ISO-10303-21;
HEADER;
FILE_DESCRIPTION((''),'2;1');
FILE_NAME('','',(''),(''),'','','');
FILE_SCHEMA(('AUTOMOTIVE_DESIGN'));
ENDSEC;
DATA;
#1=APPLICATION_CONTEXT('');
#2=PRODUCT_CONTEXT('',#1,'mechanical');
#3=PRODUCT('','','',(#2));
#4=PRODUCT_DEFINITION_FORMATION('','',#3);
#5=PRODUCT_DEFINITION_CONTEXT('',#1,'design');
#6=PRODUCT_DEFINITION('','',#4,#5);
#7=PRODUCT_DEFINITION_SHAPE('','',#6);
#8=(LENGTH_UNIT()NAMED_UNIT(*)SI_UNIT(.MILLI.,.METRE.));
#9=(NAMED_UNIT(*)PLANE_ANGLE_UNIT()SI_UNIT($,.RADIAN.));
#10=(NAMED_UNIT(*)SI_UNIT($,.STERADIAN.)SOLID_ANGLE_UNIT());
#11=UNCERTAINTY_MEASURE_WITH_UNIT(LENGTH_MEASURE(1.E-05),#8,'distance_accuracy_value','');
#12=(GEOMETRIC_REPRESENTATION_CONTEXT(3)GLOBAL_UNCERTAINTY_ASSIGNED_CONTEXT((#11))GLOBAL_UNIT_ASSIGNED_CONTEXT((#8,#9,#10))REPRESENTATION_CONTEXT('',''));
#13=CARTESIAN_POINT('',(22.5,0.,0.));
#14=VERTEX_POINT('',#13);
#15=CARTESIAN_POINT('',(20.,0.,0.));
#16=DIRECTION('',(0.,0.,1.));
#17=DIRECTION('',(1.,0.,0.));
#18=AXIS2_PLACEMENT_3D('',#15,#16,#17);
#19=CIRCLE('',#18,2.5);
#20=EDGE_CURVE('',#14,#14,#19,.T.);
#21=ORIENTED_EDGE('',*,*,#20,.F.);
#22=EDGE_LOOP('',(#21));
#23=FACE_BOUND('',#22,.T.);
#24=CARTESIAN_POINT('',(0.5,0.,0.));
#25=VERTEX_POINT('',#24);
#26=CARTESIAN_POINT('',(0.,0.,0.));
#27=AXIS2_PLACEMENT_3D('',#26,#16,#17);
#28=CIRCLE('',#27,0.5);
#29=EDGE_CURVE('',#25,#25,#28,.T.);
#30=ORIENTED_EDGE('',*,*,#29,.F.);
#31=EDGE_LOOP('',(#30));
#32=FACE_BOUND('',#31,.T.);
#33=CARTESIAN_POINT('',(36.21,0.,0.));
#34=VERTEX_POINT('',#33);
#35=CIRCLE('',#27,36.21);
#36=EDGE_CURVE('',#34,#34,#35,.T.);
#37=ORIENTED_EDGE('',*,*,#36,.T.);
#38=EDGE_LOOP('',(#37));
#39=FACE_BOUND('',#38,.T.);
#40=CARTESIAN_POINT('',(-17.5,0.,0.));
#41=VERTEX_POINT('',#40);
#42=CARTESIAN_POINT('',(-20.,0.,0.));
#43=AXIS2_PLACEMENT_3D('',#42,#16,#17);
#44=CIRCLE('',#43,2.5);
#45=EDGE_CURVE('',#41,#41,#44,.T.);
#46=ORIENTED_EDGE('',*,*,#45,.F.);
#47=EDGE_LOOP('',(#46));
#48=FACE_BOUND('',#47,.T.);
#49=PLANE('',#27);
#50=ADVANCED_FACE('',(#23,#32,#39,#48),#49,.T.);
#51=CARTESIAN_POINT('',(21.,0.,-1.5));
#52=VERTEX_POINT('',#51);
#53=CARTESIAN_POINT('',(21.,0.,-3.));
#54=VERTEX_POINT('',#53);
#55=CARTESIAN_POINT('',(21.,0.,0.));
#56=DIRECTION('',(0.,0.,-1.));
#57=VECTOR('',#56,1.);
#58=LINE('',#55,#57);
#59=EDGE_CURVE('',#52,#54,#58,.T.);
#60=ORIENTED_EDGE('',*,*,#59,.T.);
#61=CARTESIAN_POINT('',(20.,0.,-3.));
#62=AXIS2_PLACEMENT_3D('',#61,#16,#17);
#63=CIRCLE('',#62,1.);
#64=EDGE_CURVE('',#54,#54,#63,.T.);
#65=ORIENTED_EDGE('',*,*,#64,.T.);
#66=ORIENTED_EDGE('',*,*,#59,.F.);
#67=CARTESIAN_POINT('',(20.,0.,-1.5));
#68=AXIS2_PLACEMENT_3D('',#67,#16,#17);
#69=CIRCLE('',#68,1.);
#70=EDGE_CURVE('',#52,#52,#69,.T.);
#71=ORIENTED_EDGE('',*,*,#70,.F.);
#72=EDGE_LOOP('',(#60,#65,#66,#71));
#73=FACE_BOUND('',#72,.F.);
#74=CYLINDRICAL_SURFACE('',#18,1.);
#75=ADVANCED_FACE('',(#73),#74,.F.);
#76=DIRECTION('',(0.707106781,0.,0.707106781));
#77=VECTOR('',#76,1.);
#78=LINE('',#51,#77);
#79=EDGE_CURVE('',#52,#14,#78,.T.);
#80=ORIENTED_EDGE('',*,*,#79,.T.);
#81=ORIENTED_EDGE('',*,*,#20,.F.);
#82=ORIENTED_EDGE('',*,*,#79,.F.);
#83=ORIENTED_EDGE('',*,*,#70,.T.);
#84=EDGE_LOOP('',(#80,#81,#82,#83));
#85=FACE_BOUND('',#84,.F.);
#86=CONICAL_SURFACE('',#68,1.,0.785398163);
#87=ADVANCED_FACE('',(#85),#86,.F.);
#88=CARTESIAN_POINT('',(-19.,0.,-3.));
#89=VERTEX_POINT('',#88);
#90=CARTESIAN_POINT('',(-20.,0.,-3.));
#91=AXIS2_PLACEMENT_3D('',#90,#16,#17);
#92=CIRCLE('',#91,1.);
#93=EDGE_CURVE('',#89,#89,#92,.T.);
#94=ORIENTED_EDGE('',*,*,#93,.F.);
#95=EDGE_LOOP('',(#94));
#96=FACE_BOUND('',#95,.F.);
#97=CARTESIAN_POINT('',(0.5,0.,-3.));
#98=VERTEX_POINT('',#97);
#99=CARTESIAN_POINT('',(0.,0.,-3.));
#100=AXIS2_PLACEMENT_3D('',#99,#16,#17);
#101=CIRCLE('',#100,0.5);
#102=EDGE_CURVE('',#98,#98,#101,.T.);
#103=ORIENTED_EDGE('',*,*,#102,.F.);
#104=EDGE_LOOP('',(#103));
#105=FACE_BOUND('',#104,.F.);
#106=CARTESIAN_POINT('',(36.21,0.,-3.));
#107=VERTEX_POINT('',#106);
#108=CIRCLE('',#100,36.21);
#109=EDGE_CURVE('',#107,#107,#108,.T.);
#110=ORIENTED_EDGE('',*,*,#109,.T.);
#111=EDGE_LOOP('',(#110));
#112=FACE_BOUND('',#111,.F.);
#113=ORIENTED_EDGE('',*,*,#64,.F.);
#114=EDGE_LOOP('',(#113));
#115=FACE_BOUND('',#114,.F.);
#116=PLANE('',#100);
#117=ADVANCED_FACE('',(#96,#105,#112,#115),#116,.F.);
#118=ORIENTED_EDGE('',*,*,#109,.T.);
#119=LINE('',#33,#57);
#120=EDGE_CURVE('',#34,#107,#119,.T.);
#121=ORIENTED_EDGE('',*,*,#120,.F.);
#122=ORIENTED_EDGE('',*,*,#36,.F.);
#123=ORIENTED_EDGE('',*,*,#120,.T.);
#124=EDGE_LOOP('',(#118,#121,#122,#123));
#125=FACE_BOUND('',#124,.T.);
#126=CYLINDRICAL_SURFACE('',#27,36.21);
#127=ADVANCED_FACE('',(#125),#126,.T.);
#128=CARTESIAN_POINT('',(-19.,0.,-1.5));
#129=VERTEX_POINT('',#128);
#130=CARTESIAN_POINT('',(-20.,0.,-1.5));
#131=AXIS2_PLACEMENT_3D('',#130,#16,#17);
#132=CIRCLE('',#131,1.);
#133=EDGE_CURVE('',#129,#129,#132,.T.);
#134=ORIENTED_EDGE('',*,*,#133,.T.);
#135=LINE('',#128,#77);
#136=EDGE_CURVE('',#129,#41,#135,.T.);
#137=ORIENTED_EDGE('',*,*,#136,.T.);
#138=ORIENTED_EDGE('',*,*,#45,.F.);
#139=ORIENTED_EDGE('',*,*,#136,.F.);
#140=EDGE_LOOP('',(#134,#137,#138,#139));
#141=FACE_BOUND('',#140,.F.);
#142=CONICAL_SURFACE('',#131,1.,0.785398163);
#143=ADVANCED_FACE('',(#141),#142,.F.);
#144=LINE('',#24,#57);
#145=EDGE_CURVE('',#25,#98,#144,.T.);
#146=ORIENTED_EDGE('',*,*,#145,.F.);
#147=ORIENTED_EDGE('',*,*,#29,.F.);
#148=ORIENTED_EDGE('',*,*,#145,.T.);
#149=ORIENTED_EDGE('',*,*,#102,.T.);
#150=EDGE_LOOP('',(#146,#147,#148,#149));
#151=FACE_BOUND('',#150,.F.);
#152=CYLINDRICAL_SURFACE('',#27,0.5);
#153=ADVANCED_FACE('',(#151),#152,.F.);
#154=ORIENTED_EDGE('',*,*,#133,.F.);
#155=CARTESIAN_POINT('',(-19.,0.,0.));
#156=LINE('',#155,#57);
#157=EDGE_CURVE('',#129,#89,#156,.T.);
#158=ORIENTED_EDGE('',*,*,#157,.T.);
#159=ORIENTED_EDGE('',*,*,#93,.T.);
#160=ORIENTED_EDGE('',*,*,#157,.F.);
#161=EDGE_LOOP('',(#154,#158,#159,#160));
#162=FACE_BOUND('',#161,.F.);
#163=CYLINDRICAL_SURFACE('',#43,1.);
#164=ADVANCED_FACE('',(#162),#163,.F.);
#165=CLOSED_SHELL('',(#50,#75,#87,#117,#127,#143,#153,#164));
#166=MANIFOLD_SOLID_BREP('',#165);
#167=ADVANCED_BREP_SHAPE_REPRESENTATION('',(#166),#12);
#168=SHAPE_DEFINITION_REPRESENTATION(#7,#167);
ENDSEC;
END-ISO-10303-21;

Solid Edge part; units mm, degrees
sketch "Sketch1" plane through (0, 0, 0) normal (0, 0, 1) x (1, 0, 0)
  circle A0 centre (20, 0) radius 1
  circle A1 centre (0, 0) radius 0.5
  circle A2 centre (-20, 0) radius 1
  circle A3 centre (0, 0) radius 36.21
  dimension "D1" = 72.42
  dimension "D2" = 1
  dimension "D3" = 2
  dimension "D4" = 20
  dimension "D5" = 20
extrude "Protrusion1" add sketch "Sketch1" against normal blind 3
chamfer "Chamfer_1" distance 1.5 angle 45 2 edges at (19, 0, 0) (-21, 0, 0)
